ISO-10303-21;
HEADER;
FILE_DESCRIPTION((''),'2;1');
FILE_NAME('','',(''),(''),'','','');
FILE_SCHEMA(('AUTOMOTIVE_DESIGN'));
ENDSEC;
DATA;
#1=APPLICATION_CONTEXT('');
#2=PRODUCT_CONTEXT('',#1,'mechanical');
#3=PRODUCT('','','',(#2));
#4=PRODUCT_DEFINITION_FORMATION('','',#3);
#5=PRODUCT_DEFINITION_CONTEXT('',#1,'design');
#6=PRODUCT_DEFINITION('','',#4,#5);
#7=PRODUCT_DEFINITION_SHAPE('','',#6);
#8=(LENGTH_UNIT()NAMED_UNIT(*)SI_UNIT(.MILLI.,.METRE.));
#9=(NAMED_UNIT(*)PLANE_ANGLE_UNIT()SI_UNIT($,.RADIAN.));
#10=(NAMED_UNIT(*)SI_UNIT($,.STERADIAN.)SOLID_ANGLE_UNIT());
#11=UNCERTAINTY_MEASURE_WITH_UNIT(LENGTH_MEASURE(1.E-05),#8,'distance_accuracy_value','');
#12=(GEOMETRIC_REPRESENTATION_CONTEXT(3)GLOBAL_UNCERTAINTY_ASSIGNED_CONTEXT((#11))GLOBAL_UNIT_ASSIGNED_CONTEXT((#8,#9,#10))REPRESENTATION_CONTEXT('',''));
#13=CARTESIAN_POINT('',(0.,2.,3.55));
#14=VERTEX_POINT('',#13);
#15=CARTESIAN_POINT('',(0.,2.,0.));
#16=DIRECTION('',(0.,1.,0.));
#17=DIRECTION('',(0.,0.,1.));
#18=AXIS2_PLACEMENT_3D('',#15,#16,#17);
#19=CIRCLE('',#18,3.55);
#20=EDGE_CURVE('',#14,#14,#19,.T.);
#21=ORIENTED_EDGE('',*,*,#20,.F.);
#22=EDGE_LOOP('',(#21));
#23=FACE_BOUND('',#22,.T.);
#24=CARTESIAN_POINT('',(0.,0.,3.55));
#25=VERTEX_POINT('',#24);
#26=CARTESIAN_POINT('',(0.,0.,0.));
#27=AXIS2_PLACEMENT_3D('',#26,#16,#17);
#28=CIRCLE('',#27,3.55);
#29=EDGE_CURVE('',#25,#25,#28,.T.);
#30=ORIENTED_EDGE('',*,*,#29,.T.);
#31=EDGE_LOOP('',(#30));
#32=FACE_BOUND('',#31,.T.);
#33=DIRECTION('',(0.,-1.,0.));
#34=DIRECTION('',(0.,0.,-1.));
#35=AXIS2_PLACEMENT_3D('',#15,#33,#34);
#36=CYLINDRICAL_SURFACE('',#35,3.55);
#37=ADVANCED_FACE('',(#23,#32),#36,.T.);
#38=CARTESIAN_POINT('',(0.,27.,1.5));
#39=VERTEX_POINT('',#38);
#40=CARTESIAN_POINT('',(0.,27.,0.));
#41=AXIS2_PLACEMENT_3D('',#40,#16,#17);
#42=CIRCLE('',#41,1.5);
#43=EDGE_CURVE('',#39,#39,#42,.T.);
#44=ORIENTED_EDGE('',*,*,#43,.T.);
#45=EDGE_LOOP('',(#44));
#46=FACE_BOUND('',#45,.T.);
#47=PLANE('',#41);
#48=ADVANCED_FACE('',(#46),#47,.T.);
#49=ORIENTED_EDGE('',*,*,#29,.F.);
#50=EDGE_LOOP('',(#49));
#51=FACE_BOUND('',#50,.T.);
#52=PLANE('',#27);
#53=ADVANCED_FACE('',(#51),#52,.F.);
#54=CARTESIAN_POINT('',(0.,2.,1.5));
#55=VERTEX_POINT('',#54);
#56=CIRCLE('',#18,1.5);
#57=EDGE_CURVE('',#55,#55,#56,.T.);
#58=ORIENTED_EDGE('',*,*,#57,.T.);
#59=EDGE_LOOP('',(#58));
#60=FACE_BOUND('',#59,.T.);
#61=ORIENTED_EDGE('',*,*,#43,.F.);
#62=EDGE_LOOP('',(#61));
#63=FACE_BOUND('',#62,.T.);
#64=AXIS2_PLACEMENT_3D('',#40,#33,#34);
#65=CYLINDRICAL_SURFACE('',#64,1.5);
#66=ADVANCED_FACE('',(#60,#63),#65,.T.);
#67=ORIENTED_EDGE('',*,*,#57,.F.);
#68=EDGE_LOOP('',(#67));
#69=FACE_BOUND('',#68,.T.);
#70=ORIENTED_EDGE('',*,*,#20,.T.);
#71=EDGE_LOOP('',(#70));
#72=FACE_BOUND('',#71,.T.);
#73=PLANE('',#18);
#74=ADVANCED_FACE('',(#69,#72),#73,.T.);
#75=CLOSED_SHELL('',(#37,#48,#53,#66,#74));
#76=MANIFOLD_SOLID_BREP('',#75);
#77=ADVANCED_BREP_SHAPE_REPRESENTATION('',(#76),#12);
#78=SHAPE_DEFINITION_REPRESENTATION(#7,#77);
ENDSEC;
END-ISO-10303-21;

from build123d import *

# Parameters (mm, degrees)
SKETCH_1_R      = 3.55
EXTRUDE_1_DEPTH = 2
SKETCH_2_R      = 1.5
EXTRUDE_2_DEPTH = 25


with BuildPart() as part:
    # 草图1 → 凸台-拉伸1 (new body)
    with BuildSketch(Plane(origin=(0, 0, 0), x_dir=(1, 0, 0), z_dir=(0, 1, 0))):
        Circle(SKETCH_1_R)
    extrude(amount=EXTRUDE_1_DEPTH)

    # 草图2 → 凸台-拉伸2 (add)
    with BuildSketch(Plane(origin=(0, 2, 0), x_dir=(1, 0, 0), z_dir=(0, 1, 0))):
        Circle(SKETCH_2_R)
    extrude(amount=EXTRUDE_2_DEPTH)


solid = part.part
